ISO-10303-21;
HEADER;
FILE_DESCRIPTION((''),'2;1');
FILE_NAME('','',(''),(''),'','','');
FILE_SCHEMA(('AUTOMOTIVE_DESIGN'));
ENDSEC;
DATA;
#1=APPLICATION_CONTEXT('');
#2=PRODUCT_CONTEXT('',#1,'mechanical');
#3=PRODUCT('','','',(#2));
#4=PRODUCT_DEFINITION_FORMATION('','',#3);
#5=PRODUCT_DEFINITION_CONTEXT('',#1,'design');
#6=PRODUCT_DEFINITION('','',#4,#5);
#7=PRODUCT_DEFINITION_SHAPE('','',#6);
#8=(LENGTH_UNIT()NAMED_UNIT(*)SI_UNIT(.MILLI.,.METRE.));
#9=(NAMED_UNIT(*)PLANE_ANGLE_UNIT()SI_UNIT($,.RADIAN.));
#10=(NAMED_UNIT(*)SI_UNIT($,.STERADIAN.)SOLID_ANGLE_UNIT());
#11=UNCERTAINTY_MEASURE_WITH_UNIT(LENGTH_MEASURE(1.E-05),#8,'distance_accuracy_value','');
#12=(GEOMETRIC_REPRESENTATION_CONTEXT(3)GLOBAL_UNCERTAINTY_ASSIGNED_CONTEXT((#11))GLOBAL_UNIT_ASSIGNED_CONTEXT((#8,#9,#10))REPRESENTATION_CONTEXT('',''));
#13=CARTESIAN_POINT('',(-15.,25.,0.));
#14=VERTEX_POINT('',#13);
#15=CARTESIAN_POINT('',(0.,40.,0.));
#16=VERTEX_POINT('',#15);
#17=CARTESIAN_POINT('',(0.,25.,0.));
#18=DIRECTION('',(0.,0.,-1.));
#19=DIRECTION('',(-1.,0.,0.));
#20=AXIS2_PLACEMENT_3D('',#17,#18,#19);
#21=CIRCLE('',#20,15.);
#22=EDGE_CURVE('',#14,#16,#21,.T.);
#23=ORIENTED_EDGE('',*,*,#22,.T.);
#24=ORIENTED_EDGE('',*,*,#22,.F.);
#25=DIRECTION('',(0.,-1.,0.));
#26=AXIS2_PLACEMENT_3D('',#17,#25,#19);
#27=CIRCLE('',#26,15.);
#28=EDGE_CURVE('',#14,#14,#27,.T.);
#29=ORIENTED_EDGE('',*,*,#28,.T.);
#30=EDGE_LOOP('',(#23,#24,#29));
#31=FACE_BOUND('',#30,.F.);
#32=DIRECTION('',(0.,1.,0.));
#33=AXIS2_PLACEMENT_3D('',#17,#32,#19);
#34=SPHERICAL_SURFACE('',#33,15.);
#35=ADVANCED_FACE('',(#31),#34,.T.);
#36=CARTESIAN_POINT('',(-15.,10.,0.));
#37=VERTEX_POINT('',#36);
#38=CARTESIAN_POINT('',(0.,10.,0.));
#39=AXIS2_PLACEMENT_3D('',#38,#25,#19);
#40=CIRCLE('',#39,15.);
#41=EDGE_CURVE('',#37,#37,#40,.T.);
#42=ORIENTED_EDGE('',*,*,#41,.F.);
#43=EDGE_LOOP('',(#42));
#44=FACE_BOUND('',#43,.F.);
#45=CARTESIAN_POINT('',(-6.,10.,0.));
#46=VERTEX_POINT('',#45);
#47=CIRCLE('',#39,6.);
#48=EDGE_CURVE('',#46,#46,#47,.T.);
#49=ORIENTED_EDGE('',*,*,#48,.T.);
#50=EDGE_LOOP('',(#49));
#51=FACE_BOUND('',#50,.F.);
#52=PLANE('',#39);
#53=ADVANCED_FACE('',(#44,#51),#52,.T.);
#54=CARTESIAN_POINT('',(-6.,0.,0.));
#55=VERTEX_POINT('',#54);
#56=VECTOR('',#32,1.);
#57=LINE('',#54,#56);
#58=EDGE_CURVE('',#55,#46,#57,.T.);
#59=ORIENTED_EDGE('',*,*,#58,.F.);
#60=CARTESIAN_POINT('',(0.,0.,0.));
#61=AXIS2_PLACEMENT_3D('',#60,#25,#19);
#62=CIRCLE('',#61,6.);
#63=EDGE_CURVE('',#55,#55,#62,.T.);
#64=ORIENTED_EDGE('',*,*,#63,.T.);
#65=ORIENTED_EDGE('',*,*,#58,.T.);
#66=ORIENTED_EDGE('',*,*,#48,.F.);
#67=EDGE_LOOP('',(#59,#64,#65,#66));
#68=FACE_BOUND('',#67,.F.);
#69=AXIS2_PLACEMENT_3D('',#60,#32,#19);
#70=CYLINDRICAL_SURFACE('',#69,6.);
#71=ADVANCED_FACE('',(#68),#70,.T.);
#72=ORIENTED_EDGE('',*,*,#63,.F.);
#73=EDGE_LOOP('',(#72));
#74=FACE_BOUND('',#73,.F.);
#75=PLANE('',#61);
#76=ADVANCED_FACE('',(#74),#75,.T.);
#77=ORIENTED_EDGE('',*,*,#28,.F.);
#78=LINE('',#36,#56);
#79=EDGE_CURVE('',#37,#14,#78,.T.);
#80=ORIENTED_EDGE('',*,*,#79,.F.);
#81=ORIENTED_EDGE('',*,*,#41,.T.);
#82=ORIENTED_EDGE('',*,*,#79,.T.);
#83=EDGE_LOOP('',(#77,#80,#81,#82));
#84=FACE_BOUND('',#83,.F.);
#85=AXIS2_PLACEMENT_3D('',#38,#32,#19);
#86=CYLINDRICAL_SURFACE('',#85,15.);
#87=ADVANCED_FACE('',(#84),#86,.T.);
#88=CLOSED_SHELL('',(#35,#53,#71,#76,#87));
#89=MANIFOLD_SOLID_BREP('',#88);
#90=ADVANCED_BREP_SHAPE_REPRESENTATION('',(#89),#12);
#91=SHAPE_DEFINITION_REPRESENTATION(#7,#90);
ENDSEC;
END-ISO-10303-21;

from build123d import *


with BuildPart() as part:
    # Croquis1 → Revolución1 (revolve)
    with BuildSketch(Plane.XY):
        with BuildLine():
            Line((0, 0), (-6, 0))
            Line((-6, 0), (-6, 10))
            Line((-6, 10), (-15, 10))
            Line((-15, 10), (-15, 25))
            ThreePointArc((-15, 25), (-10.606601718, 35.606601718), (0, 40))
            Line((0, 40), (0, 0))
        make_face()
    revolve(axis=Axis((0, 40, 0), (0, -1, 0)))


solid = part.part
